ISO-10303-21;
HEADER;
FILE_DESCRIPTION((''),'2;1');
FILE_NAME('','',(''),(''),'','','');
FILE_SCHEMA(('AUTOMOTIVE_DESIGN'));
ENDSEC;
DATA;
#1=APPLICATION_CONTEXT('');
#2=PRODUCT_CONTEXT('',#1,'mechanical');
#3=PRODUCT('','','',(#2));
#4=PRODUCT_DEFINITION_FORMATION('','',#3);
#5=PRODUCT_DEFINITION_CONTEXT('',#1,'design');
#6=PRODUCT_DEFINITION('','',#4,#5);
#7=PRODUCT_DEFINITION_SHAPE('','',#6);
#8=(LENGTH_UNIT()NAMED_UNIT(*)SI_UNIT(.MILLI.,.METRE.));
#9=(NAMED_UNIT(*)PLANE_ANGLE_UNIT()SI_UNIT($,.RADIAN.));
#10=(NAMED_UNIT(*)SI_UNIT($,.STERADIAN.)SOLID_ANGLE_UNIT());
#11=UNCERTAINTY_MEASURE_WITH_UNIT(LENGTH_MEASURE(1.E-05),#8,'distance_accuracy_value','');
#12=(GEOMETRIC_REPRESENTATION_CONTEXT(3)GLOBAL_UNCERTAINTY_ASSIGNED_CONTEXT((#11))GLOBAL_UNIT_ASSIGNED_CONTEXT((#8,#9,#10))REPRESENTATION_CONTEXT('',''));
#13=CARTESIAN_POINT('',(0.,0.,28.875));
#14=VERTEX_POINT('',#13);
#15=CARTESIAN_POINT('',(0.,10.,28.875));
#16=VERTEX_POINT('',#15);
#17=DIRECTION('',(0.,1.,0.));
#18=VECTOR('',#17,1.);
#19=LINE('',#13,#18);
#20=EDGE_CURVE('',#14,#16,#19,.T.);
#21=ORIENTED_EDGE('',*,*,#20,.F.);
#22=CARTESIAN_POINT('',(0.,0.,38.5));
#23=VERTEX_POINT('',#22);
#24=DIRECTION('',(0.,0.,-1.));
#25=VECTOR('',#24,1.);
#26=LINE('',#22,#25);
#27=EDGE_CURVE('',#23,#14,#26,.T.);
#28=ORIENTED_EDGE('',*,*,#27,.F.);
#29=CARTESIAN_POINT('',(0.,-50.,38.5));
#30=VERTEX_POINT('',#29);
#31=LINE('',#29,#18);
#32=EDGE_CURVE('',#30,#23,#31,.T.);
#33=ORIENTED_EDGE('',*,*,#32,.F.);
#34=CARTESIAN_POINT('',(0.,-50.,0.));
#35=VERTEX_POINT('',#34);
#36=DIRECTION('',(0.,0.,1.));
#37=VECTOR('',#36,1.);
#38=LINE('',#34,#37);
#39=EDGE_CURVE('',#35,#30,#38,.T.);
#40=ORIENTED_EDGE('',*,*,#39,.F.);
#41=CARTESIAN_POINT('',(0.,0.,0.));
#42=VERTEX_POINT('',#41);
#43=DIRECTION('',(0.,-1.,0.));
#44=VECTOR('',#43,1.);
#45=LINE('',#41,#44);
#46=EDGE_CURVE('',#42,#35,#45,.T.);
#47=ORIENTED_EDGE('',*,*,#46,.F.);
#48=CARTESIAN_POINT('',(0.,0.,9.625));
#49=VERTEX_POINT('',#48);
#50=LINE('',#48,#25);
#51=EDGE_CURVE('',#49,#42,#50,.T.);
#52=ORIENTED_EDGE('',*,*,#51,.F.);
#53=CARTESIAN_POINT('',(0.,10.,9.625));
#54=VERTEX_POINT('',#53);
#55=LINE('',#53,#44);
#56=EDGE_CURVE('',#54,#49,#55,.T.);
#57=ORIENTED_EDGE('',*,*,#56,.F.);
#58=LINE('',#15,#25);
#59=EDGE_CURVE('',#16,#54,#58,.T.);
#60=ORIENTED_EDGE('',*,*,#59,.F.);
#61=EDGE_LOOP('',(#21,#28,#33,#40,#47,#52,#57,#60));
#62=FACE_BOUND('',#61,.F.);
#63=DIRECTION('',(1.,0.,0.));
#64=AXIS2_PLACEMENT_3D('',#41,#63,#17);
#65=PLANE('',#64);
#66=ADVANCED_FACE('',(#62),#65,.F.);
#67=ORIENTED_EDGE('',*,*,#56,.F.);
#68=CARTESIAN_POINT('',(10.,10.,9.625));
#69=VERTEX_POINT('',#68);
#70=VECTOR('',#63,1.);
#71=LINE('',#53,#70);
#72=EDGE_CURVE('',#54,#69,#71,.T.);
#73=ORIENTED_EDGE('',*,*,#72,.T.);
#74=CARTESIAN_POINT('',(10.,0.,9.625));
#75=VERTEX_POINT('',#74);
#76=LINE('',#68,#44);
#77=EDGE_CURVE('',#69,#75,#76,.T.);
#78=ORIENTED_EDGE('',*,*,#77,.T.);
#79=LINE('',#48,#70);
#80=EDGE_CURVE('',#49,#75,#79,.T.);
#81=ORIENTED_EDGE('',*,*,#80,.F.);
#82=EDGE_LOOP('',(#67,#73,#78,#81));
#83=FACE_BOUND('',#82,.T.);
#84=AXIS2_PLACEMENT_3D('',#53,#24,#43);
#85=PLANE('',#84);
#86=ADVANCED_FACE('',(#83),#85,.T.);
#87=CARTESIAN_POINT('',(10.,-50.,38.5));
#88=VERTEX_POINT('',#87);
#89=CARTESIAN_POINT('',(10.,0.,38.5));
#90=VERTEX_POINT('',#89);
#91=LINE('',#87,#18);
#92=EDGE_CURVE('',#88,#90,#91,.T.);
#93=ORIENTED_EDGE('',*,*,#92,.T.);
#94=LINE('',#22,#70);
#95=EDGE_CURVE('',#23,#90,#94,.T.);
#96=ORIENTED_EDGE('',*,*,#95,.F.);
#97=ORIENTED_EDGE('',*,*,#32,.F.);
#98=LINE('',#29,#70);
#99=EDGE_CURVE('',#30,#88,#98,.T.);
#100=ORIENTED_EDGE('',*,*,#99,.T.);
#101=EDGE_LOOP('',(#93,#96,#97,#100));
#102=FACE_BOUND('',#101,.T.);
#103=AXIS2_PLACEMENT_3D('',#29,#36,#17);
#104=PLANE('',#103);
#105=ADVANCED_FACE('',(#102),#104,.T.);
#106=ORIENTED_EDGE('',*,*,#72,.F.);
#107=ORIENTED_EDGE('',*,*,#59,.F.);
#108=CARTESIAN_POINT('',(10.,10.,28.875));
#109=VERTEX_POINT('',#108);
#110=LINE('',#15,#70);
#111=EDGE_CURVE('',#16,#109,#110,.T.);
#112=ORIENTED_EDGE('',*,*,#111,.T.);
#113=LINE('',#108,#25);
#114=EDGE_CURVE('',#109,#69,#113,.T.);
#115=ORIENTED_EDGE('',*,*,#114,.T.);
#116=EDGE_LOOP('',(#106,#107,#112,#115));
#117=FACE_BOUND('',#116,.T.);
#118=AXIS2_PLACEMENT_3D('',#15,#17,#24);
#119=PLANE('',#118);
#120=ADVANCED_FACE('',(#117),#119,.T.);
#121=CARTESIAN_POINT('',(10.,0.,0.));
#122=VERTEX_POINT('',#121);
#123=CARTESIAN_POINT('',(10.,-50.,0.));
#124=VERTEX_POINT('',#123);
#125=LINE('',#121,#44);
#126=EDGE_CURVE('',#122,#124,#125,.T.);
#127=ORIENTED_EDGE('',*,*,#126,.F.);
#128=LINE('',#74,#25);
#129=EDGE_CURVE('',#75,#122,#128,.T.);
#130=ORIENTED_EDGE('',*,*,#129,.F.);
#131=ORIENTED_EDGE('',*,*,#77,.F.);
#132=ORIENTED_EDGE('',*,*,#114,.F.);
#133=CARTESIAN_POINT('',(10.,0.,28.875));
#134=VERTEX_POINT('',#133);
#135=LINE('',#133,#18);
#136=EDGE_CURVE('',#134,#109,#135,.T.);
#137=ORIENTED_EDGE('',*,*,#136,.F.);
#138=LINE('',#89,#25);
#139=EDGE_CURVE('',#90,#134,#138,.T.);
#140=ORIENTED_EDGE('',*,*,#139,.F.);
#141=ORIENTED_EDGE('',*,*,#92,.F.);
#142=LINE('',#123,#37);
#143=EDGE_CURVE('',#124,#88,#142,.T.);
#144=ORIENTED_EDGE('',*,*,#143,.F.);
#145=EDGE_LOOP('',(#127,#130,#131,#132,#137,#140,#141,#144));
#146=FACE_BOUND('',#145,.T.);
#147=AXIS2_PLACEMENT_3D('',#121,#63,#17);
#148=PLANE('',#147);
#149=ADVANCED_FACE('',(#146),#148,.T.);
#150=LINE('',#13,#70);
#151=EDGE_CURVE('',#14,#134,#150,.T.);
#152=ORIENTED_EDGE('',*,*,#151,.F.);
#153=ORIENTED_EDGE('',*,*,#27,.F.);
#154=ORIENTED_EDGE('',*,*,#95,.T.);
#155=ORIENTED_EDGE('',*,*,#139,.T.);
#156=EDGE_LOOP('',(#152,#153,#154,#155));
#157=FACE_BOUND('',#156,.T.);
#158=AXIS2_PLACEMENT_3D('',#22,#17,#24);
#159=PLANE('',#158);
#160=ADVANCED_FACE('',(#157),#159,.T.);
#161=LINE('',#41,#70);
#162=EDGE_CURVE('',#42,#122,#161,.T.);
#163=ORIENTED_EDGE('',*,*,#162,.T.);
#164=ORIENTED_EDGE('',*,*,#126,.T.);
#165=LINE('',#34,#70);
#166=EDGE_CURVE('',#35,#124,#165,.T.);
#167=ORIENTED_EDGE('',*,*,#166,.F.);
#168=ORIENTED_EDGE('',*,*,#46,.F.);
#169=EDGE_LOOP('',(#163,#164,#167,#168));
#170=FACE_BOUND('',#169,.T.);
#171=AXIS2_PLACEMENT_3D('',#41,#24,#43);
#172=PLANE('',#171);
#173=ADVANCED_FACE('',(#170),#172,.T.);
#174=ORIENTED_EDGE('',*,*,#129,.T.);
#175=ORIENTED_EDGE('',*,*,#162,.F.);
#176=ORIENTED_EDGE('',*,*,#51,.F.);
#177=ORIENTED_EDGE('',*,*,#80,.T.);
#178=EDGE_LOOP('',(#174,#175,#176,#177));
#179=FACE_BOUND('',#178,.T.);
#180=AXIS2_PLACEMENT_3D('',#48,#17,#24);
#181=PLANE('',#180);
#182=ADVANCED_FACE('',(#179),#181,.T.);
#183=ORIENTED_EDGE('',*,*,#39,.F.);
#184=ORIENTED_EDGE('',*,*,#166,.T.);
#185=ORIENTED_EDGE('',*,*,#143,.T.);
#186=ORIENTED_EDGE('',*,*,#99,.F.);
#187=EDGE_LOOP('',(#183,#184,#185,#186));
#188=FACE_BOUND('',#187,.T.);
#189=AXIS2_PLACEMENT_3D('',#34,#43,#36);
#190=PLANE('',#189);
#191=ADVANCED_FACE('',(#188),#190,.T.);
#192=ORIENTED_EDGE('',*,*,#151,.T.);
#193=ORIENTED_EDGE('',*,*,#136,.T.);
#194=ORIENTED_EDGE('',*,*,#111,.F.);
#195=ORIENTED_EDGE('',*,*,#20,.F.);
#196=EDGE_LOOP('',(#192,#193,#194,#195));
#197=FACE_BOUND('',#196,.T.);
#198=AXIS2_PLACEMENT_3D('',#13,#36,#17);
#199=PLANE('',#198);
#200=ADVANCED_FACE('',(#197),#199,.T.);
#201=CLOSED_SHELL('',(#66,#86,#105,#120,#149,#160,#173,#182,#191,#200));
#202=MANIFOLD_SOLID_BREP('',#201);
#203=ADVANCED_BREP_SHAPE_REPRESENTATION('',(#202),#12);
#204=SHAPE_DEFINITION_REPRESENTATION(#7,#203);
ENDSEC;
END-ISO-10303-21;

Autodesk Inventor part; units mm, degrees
ref_plane "YZ Plane" through (0, 0, 0) normal (1, 0, 0) x (0, 1, 0)
ref_plane "XZ Plane" through (0, 0, 0) normal (0, 1, 0) x (-1, 0, 0)
ref_plane "XY Plane" through (0, 0, 0) normal (0, 0, 1) x (1, 0, 0)
sketch "Skizze1" plane through (0, 0, 0) normal (1, 0, 0) x (0, 1, 0)
  line L0 (0, 0) -> (-50, 0)
  line L1 (-50, 0) -> (-50, 38.5)
  line L2 (-50, 38.5) -> (0, 38.5)
  line L3 (0, 28.875) -> (10, 28.875)
  line L4 (10, 28.875) -> (10, 9.625)
  line L5 (10, 9.625) -> (0, 9.625)
  line L6 (0, 38.5) -> (0, 28.875)
  line L7 (0, 9.625) -> (0, 0)
  dimension "d0" = 50
  dimension "d1" = 38.5
  dimension "d2" = 10
  dimension "d3" = 19.25
  dimension "d4" = 9.625
extrude "Extrusion1" add sketch "Skizze1" along normal blind 10
properties part number "HalterungServosHochSeitlich"
